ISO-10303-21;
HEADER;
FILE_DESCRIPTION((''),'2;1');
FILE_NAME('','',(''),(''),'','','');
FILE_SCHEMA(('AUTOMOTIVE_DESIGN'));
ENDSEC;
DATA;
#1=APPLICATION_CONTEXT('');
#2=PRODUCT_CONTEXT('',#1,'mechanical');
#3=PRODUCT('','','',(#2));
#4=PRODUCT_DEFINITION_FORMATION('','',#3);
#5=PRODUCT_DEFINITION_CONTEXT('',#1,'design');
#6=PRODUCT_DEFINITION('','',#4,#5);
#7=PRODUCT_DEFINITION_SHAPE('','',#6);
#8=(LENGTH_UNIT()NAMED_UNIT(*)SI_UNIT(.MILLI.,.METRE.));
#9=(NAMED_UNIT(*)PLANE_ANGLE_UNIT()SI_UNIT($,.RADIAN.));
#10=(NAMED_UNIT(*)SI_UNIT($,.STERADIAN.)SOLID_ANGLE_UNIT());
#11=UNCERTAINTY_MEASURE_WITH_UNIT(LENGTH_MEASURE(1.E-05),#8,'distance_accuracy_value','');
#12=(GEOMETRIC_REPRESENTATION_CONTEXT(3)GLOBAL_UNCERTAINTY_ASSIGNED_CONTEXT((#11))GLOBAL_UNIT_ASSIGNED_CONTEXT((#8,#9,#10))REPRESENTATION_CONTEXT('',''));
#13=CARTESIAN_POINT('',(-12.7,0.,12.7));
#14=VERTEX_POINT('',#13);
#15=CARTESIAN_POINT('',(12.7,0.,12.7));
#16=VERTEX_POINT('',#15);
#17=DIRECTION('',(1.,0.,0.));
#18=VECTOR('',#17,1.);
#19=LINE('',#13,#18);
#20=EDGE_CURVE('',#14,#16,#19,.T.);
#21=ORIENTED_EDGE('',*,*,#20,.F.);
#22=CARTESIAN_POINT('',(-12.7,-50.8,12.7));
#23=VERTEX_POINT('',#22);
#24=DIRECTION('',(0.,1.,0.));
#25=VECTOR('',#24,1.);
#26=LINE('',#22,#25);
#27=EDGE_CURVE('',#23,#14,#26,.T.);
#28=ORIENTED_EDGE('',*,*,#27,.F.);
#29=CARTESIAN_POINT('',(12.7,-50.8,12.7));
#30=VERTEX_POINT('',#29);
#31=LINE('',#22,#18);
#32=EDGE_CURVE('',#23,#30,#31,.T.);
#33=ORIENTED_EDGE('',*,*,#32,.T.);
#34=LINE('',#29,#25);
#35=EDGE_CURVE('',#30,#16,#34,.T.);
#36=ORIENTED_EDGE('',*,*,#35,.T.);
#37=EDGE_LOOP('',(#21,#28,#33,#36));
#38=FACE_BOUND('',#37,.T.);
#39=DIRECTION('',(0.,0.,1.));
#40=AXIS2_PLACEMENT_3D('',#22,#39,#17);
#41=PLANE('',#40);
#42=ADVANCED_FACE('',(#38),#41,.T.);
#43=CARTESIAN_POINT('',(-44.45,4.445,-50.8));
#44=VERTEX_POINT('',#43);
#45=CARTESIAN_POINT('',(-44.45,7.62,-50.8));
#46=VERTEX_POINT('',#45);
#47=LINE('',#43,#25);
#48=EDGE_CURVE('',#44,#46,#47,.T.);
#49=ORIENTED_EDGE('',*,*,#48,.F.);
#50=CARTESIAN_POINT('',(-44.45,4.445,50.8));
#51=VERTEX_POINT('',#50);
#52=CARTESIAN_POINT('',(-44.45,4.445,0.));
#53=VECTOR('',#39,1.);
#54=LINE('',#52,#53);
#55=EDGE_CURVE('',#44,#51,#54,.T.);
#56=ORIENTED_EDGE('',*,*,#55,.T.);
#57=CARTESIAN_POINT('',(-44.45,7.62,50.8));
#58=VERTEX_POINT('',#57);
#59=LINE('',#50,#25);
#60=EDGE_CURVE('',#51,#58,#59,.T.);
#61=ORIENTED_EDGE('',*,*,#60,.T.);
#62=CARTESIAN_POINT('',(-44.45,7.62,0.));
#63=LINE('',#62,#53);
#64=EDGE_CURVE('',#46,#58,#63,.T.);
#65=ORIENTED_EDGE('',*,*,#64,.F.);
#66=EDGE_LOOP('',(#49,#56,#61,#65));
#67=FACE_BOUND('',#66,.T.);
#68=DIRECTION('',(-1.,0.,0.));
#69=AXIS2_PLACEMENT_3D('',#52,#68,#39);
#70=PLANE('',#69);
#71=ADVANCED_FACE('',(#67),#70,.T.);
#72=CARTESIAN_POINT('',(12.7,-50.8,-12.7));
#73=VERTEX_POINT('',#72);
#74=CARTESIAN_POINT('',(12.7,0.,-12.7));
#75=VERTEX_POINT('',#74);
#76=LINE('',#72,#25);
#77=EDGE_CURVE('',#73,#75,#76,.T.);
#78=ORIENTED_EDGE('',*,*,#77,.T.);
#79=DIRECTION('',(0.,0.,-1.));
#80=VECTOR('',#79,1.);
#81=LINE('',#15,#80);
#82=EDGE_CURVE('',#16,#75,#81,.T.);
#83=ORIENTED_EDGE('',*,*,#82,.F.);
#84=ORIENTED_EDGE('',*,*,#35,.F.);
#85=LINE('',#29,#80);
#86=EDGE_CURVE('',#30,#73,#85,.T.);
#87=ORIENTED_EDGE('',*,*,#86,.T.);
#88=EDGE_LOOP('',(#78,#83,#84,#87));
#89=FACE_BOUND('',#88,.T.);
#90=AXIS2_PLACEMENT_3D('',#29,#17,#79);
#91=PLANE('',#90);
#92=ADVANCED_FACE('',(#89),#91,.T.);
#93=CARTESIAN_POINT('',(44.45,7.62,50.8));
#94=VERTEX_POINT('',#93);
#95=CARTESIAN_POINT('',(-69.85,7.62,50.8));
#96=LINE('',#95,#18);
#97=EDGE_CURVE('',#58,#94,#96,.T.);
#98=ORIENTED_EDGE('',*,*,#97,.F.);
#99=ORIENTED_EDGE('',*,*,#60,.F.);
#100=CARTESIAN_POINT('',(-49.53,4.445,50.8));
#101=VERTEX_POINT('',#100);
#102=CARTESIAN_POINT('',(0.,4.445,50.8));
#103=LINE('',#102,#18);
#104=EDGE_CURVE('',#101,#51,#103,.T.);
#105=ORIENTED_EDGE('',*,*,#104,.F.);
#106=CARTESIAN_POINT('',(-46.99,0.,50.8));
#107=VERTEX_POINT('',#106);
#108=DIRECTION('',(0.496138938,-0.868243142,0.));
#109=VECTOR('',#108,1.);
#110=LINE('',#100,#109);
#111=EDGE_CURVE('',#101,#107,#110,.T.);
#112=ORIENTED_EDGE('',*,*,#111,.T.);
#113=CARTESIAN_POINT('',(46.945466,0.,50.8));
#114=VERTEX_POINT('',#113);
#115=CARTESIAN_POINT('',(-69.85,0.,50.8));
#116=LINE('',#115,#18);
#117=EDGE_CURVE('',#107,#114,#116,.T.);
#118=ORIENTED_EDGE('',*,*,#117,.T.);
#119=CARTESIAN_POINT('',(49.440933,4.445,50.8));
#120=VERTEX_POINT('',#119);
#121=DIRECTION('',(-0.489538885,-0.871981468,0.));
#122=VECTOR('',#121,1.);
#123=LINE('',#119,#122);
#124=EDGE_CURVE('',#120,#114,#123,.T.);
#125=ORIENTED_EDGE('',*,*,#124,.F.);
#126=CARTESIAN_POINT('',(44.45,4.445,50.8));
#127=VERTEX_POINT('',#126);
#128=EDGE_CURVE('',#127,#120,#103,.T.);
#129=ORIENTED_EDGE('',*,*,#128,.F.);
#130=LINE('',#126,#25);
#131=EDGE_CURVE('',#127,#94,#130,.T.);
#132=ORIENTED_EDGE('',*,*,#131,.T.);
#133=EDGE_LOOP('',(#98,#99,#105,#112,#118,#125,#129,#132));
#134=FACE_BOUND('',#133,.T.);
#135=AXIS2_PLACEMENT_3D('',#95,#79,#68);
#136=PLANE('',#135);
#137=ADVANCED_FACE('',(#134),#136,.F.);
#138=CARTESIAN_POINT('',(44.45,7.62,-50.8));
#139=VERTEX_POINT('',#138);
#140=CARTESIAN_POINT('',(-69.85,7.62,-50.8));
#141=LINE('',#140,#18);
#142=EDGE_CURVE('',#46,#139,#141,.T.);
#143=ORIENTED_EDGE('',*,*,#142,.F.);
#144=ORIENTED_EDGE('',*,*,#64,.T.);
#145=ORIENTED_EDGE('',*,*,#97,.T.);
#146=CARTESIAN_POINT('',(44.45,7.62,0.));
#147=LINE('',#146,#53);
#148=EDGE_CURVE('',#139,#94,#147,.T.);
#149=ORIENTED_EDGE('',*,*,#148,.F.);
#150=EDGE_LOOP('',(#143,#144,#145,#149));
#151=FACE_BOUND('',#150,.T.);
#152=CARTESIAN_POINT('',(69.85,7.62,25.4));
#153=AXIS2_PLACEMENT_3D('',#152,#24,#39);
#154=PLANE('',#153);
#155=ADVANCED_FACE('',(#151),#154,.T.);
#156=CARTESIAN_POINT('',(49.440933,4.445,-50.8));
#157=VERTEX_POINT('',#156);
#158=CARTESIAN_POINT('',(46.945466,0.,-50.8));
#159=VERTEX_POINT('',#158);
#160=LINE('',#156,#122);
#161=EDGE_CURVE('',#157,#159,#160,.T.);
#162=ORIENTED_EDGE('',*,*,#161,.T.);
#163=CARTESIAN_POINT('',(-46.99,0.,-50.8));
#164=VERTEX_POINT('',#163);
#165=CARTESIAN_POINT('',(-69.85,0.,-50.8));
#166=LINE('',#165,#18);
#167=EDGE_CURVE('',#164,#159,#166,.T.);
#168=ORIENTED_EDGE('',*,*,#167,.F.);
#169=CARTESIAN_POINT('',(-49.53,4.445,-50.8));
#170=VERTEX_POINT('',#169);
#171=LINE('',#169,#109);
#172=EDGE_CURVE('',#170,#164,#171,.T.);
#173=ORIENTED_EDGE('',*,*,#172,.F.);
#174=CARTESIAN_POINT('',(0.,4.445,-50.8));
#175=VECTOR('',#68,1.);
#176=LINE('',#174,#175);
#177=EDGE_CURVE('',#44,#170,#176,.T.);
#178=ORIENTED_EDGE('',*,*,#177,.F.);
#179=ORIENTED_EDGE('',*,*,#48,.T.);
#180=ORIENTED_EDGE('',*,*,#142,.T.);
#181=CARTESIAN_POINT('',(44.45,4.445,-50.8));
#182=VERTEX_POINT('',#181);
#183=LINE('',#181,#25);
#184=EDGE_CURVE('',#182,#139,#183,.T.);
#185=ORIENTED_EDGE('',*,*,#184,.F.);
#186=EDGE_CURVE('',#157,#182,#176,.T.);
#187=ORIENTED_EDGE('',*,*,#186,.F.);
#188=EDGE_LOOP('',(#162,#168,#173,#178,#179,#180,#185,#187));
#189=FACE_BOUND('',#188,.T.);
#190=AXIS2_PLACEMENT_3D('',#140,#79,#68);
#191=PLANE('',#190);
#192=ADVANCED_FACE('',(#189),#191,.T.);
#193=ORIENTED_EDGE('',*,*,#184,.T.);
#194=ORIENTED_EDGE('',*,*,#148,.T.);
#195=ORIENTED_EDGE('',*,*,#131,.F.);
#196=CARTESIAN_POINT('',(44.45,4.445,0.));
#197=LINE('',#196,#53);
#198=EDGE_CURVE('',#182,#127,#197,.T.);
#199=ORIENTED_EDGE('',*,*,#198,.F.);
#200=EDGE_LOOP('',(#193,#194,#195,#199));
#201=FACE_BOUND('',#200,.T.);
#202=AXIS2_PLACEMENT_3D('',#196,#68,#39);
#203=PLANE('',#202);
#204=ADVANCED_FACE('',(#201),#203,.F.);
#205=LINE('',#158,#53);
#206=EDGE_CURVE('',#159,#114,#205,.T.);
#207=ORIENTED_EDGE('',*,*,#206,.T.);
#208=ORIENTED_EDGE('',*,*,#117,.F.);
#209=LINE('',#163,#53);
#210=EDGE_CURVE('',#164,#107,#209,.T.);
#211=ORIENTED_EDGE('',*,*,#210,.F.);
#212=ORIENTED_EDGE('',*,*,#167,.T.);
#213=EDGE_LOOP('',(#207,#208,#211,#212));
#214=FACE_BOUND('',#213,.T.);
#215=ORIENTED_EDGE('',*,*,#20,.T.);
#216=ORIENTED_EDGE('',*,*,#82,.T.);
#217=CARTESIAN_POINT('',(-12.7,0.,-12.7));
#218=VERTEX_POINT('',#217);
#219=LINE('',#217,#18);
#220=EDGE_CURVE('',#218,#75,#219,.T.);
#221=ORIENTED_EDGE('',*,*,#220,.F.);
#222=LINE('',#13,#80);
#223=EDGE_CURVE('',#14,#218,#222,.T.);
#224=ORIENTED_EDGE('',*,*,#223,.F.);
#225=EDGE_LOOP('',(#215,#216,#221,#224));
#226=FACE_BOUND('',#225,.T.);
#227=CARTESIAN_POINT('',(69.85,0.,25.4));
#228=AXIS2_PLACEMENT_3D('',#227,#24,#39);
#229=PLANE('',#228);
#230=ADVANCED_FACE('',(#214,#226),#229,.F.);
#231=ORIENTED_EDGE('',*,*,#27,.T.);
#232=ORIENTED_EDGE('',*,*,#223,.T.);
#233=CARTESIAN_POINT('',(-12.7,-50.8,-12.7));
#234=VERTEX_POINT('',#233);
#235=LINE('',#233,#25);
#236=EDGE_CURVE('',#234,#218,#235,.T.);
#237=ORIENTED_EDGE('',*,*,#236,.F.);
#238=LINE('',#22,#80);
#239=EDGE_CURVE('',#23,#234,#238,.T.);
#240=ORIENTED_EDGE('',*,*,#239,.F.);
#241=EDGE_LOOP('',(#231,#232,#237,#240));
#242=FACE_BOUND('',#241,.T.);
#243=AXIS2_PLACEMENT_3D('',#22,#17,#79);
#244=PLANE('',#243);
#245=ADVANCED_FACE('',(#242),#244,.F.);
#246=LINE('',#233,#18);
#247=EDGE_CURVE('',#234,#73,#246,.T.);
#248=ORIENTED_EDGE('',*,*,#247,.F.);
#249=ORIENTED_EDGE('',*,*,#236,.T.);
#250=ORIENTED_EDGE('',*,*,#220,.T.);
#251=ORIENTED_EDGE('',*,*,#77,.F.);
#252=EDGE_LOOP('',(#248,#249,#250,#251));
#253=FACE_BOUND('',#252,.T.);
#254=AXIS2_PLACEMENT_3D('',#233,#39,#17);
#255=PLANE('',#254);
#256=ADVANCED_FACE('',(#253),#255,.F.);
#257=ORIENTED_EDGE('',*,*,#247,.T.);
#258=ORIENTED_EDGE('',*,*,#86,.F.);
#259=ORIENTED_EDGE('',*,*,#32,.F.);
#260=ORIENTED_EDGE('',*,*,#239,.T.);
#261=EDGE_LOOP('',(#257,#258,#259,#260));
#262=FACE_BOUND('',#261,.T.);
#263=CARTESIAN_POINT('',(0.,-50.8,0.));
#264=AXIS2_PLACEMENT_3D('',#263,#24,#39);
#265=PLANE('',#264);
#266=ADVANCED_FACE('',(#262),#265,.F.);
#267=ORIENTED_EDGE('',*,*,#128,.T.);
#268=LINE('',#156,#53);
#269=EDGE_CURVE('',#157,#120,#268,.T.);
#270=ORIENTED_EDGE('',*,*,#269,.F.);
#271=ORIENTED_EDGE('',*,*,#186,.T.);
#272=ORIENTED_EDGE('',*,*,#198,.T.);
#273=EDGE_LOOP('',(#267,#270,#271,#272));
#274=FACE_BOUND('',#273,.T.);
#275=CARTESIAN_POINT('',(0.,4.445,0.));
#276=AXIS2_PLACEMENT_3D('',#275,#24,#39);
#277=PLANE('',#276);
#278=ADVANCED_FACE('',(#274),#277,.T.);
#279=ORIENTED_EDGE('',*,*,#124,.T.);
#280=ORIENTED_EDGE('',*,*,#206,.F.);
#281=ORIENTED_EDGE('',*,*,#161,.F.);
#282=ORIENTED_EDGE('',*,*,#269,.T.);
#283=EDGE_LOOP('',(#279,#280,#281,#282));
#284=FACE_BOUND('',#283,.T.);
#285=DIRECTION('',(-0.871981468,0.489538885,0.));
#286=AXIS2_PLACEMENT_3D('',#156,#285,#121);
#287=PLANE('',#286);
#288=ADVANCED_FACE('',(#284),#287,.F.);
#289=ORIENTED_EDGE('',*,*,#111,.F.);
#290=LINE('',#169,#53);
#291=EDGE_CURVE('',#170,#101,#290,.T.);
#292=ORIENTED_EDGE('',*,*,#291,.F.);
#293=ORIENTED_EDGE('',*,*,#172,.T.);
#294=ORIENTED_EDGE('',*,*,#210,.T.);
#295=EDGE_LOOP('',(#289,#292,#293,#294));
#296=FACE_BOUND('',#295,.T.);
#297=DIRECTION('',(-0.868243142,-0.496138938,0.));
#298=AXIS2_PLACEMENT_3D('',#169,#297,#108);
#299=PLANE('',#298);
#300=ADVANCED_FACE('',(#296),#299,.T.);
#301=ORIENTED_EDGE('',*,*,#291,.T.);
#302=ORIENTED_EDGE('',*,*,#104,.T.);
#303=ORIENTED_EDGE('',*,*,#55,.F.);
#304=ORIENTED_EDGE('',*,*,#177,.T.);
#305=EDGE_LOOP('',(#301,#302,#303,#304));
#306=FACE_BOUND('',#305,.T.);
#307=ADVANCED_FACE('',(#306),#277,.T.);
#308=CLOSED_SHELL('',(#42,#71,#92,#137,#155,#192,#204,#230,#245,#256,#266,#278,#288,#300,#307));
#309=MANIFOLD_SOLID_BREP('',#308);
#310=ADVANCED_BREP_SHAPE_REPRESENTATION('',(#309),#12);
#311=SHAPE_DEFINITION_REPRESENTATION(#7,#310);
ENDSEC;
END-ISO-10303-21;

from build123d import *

# Parameters (mm, degrees)
SKETCH1_R           = 6.35
BOSS_EXTRUDE2_DEPTH = 7.62
SKETCH3_R           = 6.35
CUT_EXTRUDE2_DEPTH  = 3.175
SKETCH4_W           = 25.4
SKETCH4_H           = 25.4
BOSS_EXTRUDE3_DEPTH = 50.8
CUT_EXTRUDE4_DEPTH  = 102.6


with BuildPart() as part:
    # Sketch1 → Boss-Extrude2 (new body)
    with BuildSketch(Plane(origin=(0, 0, 0), x_dir=(1, 0, 0), z_dir=(0, 1, 0))):
        with BuildLine():
            Line((-69.85, 50.8), (69.85, 50.8))
            ThreePointArc((69.85, 50.8), (87.810512242, 43.360512242), (95.25, 25.4))
            Line((95.25, 25.4), (95.25, -25.4))
            ThreePointArc((95.25, -25.4), (87.810512242, -43.360512242), (69.85, -50.8))
            Line((69.85, -50.8), (-69.85, -50.8))
            ThreePointArc((-69.85, -50.8), (-87.810512242, -43.360512242), (-95.25, -25.4))
            Line((-95.25, -25.4), (-95.25, 25.4))
            ThreePointArc((-95.25, 25.4), (-87.810512242, 43.360512242), (-69.85, 50.8))
        make_face()
        with Locations((-69.85, 25.4)):
            Circle(SKETCH1_R, mode=Mode.SUBTRACT)
        with Locations((69.85, -25.4)):
            Circle(SKETCH1_R, mode=Mode.SUBTRACT)
        with Locations((69.85, 25.4)):
            Circle(SKETCH1_R, mode=Mode.SUBTRACT)
        with Locations((-69.85, -25.4)):
            Circle(SKETCH1_R, mode=Mode.SUBTRACT)
    extrude(amount=BOSS_EXTRUDE2_DEPTH)

    # Sketch3 → Cut-Extrude2 (cut)
    with BuildSketch(Plane(origin=(0, 7.62, 0), x_dir=(1, 0, 0), z_dir=(0, 1, 0))):
        with BuildLine():
            Line((-44.45, -50.8), (-44.45, 50.8))
            Line((-44.45, 50.8), (-69.85, 50.8))
            ThreePointArc((-69.85, 50.8), (-87.810512242, 43.360512242), (-95.25, 25.4))
            Line((-95.25, 25.4), (-95.25, -25.4))
            ThreePointArc((-95.25, -25.4), (-87.810512242, -43.360512242), (-69.85, -50.8))
            Line((-69.85, -50.8), (-44.45, -50.8))
        make_face()
        with Locations((-69.85, -25.4)):
            Circle(SKETCH3_R, mode=Mode.SUBTRACT)
        with Locations((-69.85, 25.4)):
            Circle(SKETCH3_R, mode=Mode.SUBTRACT)
        with BuildLine():
            Line((69.85, 50.8), (44.45, 50.8))
            Line((44.45, 50.8), (44.45, -50.8))
            Line((44.45, -50.8), (69.85, -50.8))
            ThreePointArc((69.85, -50.8), (87.810512242, -43.360512242), (95.25, -25.4))
            Line((95.25, -25.4), (95.25, 25.4))
            ThreePointArc((95.25, 25.4), (87.810512242, 43.360512242), (69.85, 50.8))
        make_face()
        with Locations((69.85, -25.4)):
            Circle(SKETCH3_R, mode=Mode.SUBTRACT)
        with Locations((69.85, 25.4)):
            Circle(SKETCH3_R, mode=Mode.SUBTRACT)
    extrude(amount=-CUT_EXTRUDE2_DEPTH, mode=Mode.SUBTRACT)

    # Sketch4 → Boss-Extrude3 (add)
    with BuildSketch(Plane.XZ):
        Rectangle(SKETCH4_W, SKETCH4_H)
    extrude(amount=BOSS_EXTRUDE3_DEPTH)

    # Sketch5 → Cut-Extrude4 (cut, through all)
    with BuildSketch(Plane.XY.offset(50.8)):
        Polygon((-49.53, 4.445), (-110.026455684, 4.445), (-110.026455684, 0), (-46.99, 0), align=None)
        Polygon((49.44093255, 4.445), (46.945466275, 0), (109.42401757, 0), (109.42401757, 4.445), align=None)
    extrude(amount=-CUT_EXTRUDE4_DEPTH, mode=Mode.SUBTRACT)


solid = part.part
